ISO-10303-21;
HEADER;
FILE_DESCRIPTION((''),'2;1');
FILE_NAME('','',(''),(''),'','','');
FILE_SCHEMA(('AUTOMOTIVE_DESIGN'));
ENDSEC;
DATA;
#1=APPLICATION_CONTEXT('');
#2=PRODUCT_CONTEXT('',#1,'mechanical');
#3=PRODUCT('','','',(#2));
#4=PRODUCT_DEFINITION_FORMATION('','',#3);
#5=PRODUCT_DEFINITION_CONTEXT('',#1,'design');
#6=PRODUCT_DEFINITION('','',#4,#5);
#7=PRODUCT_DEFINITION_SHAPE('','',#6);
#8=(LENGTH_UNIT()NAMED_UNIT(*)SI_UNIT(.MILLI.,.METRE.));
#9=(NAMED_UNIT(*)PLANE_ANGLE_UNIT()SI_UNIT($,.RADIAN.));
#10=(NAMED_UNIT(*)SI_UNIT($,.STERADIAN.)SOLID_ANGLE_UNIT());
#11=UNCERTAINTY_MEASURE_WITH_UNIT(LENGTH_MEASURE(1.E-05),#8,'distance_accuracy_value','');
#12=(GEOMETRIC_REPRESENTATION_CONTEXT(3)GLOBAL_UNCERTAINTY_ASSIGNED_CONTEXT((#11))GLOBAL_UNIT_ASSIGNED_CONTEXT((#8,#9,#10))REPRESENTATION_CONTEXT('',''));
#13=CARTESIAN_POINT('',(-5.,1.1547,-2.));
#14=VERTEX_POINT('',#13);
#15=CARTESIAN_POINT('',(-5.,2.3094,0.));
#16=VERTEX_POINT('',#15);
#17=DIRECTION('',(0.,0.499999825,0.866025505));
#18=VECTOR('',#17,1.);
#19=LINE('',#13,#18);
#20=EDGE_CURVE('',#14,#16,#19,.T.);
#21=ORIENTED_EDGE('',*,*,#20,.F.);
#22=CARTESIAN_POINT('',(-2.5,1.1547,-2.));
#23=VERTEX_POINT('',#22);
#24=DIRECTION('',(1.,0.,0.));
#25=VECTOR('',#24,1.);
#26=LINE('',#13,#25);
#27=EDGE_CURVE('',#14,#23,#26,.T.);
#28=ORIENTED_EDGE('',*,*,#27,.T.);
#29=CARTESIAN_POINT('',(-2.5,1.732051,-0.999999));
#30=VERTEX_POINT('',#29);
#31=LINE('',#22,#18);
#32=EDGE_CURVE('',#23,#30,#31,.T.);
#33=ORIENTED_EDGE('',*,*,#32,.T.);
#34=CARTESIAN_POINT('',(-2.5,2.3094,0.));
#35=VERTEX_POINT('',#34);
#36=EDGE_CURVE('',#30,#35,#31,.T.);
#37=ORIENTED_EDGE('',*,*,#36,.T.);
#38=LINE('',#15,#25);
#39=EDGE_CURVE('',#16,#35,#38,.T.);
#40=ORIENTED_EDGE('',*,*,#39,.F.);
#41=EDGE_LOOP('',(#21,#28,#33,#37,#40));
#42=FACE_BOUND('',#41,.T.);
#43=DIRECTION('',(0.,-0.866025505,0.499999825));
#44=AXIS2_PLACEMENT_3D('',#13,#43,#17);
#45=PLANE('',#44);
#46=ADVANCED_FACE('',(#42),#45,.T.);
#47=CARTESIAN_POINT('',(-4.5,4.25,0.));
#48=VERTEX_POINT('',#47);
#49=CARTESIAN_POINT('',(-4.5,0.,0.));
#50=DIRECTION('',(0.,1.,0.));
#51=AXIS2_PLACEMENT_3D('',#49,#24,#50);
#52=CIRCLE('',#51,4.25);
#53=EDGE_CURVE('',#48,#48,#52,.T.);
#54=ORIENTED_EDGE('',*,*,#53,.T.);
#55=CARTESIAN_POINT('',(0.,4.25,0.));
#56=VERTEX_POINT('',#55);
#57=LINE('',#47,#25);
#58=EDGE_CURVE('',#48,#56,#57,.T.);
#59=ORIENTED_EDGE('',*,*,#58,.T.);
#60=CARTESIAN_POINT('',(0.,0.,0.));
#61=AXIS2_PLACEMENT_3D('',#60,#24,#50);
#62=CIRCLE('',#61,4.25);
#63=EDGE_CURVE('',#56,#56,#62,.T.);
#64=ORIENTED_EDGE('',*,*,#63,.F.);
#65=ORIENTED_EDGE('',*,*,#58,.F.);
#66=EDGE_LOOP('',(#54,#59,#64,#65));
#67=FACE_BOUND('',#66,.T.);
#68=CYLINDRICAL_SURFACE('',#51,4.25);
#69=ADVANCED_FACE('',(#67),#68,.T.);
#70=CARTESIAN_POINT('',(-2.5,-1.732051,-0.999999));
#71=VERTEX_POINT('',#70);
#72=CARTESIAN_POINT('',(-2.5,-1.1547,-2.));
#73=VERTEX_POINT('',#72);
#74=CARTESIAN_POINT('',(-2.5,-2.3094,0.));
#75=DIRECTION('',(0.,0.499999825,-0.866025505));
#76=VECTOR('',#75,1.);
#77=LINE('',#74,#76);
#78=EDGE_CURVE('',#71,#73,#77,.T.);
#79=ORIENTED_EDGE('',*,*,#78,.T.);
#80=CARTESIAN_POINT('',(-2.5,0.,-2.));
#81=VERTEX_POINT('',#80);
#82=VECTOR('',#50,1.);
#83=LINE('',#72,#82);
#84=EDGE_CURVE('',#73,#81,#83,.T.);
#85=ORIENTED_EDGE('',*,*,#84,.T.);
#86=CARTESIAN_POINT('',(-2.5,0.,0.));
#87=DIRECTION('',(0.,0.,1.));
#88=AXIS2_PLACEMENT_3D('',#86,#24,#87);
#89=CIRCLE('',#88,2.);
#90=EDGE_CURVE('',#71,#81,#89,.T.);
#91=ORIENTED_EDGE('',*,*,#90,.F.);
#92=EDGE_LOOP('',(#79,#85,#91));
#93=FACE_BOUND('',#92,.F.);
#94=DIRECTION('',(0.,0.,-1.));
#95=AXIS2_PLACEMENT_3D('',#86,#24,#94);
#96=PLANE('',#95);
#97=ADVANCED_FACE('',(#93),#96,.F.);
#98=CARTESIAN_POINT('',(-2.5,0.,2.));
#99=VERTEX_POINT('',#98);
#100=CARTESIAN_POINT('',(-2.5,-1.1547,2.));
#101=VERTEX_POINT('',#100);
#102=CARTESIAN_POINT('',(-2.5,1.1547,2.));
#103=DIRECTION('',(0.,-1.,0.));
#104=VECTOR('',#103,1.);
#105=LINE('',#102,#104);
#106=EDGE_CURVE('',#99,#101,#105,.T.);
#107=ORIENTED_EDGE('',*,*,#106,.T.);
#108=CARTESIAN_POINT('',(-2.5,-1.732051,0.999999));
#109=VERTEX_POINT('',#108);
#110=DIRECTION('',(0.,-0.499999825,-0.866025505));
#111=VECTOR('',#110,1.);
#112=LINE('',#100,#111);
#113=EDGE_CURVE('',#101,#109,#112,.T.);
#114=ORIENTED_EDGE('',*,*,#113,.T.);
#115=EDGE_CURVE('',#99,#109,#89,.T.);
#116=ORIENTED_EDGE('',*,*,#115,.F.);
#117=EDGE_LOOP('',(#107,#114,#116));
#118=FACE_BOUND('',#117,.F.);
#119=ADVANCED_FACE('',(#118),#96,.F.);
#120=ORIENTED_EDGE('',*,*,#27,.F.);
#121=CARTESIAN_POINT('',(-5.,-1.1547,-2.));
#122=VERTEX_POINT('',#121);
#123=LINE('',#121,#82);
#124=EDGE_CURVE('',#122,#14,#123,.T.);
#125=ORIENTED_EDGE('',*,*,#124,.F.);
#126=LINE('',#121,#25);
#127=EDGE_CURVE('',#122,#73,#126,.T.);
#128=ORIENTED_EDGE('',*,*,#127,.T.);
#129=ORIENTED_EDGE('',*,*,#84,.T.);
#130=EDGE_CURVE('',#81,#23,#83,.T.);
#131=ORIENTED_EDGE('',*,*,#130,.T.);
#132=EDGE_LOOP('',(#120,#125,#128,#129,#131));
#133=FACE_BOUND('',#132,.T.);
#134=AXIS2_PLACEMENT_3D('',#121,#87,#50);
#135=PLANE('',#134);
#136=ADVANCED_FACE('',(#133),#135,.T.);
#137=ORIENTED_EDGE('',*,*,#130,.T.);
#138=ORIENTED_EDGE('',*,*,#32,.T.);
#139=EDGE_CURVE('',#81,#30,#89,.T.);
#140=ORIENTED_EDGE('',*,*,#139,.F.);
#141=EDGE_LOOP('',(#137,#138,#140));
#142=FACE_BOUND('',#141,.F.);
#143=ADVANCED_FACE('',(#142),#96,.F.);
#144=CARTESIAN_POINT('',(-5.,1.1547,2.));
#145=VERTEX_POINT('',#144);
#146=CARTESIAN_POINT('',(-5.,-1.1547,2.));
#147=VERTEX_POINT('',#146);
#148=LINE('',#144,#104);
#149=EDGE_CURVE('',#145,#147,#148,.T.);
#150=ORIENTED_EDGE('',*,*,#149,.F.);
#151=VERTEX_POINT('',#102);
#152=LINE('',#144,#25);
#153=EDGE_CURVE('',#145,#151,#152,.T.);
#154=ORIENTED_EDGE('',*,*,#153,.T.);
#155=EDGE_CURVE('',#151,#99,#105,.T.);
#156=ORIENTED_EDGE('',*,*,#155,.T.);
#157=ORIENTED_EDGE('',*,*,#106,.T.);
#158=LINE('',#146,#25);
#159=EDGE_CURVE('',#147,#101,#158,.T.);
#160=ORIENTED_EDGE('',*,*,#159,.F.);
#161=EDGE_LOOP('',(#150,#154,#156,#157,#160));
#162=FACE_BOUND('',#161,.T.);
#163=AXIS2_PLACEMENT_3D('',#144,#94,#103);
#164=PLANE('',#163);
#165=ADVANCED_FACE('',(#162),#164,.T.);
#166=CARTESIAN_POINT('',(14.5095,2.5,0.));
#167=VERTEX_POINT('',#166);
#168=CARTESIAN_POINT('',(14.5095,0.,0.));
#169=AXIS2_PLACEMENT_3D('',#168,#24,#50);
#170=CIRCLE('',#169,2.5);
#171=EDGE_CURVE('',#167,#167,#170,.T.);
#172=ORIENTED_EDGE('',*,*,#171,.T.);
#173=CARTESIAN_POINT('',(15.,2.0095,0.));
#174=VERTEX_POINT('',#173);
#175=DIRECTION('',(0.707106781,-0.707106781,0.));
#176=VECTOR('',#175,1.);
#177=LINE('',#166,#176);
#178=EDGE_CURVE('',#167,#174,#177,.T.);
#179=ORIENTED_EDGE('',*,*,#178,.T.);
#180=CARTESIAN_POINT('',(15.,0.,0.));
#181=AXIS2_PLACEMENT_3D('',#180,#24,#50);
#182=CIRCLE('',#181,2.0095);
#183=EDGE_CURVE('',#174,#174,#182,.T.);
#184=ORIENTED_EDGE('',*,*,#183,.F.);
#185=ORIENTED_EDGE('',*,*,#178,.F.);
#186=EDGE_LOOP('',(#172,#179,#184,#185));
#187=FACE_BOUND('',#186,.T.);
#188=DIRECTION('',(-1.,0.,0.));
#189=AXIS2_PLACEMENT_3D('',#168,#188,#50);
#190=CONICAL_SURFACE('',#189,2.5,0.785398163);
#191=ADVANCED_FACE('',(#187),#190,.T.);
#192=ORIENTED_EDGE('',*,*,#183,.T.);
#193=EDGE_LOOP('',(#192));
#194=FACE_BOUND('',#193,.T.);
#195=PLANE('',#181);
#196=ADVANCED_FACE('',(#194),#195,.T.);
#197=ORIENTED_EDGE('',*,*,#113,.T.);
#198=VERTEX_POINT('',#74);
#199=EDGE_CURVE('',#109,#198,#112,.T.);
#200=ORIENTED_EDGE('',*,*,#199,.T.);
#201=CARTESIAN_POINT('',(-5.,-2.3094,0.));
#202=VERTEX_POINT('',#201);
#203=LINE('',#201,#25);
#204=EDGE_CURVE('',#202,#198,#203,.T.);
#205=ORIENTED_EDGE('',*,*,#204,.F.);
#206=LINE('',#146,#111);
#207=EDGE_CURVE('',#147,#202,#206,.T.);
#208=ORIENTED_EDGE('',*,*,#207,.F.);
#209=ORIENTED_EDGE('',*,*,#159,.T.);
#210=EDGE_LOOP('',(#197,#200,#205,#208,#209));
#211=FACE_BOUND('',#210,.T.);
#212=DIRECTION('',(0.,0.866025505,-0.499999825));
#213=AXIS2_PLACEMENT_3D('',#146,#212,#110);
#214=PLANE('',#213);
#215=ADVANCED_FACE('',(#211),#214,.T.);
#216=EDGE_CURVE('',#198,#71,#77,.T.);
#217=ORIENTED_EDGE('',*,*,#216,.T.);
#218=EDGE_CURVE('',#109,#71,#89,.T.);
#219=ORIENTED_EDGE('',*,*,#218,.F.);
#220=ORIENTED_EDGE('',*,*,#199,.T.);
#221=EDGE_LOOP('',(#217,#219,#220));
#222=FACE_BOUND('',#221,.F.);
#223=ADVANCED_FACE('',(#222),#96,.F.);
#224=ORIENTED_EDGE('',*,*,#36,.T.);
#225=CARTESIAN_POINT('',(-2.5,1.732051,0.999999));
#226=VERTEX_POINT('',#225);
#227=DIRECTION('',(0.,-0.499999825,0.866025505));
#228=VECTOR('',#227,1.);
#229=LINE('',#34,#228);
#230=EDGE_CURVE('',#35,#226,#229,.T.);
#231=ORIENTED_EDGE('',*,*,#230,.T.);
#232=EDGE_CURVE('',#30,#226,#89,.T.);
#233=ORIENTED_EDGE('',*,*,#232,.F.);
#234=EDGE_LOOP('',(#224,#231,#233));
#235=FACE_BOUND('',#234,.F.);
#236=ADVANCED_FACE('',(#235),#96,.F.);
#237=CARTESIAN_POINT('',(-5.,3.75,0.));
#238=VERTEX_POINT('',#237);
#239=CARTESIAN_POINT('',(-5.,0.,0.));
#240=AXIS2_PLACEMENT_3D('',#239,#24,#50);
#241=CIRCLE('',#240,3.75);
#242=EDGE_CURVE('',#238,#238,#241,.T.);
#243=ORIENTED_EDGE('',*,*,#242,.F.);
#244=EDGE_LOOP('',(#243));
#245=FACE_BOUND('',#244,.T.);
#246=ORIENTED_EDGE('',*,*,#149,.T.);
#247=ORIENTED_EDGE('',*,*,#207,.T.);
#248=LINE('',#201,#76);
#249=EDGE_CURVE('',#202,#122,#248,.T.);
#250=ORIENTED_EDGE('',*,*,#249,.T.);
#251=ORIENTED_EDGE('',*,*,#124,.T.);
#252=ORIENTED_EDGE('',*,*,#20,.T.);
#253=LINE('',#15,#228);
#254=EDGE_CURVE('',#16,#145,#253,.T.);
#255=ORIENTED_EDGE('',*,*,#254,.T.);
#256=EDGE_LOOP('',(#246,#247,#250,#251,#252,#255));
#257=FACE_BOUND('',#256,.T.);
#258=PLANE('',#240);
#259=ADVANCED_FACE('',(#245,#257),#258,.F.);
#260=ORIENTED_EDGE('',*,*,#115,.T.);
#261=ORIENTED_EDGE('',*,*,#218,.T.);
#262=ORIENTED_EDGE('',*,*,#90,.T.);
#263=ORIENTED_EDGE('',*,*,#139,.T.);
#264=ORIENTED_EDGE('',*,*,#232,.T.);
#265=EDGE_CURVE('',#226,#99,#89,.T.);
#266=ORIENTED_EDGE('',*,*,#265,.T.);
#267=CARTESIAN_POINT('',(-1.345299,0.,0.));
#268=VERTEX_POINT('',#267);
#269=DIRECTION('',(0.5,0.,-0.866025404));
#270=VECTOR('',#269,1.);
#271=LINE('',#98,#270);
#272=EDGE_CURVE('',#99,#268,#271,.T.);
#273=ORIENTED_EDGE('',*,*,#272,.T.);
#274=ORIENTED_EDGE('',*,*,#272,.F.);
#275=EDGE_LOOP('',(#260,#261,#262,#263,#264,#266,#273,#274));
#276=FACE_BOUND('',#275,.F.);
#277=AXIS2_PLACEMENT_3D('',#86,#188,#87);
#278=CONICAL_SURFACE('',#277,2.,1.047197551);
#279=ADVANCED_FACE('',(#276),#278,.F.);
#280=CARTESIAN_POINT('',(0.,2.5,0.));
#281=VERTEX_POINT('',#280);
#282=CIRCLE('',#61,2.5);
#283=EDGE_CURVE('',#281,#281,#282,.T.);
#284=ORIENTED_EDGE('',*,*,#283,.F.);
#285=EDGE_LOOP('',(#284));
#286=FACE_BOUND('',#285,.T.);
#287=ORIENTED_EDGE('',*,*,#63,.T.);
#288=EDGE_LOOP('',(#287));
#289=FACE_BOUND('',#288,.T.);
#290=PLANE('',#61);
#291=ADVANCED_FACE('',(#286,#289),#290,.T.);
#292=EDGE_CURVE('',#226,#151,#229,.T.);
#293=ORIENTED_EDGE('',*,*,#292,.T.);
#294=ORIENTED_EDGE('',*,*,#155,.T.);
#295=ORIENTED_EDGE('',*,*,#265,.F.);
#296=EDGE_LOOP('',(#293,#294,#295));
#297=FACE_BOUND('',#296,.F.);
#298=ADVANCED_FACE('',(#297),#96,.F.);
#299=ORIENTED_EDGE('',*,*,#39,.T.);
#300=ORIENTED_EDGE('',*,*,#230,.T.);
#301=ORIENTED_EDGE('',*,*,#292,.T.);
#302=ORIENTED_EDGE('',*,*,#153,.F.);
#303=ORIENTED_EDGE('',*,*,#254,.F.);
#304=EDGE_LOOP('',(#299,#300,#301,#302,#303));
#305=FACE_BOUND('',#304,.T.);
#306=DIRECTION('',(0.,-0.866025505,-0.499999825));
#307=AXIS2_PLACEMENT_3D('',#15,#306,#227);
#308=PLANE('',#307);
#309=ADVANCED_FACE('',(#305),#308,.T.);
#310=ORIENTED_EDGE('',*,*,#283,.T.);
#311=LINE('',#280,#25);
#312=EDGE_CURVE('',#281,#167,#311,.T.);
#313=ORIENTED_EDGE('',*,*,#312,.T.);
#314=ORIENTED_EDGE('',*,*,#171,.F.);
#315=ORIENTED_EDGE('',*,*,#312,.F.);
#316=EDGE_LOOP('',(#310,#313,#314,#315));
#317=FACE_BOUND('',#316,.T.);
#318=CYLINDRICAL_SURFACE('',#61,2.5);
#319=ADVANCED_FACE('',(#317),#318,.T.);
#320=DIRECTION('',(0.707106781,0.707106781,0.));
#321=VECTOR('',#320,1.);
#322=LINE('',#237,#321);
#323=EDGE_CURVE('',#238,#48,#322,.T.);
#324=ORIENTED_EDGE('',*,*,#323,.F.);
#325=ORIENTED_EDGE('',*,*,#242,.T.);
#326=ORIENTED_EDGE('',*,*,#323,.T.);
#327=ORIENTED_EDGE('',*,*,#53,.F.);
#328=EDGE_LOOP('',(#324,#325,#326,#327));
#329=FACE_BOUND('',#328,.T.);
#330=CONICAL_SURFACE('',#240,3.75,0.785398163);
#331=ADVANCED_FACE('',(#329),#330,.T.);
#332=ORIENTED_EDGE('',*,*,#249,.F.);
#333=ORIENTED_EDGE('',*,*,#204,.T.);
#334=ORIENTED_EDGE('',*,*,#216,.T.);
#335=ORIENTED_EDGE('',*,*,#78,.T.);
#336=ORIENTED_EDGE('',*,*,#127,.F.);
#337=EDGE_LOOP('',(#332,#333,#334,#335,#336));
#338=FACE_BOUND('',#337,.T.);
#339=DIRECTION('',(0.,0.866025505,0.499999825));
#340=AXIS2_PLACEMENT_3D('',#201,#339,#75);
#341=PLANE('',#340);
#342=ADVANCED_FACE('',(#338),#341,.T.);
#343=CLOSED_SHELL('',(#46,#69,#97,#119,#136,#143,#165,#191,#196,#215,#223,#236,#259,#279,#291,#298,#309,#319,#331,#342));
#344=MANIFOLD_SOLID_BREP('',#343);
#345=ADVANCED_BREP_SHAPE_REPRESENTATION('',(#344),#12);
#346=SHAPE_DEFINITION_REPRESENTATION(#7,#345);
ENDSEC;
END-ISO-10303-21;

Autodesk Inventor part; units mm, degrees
sketch "Sketch_1" plane through (0, 0, 0) normal (0, 0, 1) x (1, 0, 0)
  line L0 (15, 0) -> (-5, 0)
  line L1 (-5, 0) -> (-5, 3.75)
  line L2 (-5, 3.75) -> (-4.5, 4.25)
  line L3 (-4.5, 4.25) -> (0, 4.25)
  line L4 (0, 4.25) -> (0, 2.5)
  line L5 (0, 2.5) -> (14.5095, 2.5)
  line L6 (14.5095, 2.5) -> (15, 2.0095)
  line L7 (15, 2.0095) -> (15, 0)
  line L8 (15, 0) -> (-5, 0)
revolve "Revolution1" add sketch "Sketch_1" angle 360 about axis through (15, 0, 0) along (1, 0, 0)
thread "Thread1" size "M5x0.8" class "6g" standard "ISO Metric profile" length 13.7095
sketch "Sketch2" plane through (-5, 0, 0) normal (-1, 0, 0) x (0, 0, 1)
  point P0 (0, 0)
hole "Hole1" at (-5, 0, 0) direction (1, 0, 0) diameter 4 depth 2.5 tip angle 120
sketch "Sketch_3" plane through (-5, 0, 0) normal (1, 0, 0) x (0, 0, -1)
  line L0 (-2, -1.1547) -> (0, -2.3094)
  line L1 (0, -2.3094) -> (2, -1.1547)
  line L2 (2, -1.1547) -> (2, 1.1547)
  line L3 (2, 1.1547) -> (0, 2.3094)
  line L4 (0, 2.3094) -> (-2, 1.1547)
  line L5 (-2, 1.1547) -> (-2, -1.1547)
extrude "Extrusion1" cut sketch "Sketch_3" along normal blind 2.5
ref_plane "bolt_XY" through (15, 0, 0) normal (1, 0, 0) x (0, 0, -1)
ref_plane "bolt_YZ" through (15, 0, 0) normal (0, 0, -1) x (0, 1, 0)
ref_plane "bolt_ZX" through (15, 0, 0) normal (0, 1, 0) x (1, 0, 0)
ref_plane "nut_XY" through (0, 0, 0) normal (1, 0, 0) x (0, 0, -1)
ref_plane "nut_YZ" through (0, 0, 0) normal (0, 0, -1) x (0, 1, 0)
ref_plane "nut_ZX" through (0, 0, 0) normal (0, 1, 0) x (1, 0, 0)
properties part number "CBE5-15"
